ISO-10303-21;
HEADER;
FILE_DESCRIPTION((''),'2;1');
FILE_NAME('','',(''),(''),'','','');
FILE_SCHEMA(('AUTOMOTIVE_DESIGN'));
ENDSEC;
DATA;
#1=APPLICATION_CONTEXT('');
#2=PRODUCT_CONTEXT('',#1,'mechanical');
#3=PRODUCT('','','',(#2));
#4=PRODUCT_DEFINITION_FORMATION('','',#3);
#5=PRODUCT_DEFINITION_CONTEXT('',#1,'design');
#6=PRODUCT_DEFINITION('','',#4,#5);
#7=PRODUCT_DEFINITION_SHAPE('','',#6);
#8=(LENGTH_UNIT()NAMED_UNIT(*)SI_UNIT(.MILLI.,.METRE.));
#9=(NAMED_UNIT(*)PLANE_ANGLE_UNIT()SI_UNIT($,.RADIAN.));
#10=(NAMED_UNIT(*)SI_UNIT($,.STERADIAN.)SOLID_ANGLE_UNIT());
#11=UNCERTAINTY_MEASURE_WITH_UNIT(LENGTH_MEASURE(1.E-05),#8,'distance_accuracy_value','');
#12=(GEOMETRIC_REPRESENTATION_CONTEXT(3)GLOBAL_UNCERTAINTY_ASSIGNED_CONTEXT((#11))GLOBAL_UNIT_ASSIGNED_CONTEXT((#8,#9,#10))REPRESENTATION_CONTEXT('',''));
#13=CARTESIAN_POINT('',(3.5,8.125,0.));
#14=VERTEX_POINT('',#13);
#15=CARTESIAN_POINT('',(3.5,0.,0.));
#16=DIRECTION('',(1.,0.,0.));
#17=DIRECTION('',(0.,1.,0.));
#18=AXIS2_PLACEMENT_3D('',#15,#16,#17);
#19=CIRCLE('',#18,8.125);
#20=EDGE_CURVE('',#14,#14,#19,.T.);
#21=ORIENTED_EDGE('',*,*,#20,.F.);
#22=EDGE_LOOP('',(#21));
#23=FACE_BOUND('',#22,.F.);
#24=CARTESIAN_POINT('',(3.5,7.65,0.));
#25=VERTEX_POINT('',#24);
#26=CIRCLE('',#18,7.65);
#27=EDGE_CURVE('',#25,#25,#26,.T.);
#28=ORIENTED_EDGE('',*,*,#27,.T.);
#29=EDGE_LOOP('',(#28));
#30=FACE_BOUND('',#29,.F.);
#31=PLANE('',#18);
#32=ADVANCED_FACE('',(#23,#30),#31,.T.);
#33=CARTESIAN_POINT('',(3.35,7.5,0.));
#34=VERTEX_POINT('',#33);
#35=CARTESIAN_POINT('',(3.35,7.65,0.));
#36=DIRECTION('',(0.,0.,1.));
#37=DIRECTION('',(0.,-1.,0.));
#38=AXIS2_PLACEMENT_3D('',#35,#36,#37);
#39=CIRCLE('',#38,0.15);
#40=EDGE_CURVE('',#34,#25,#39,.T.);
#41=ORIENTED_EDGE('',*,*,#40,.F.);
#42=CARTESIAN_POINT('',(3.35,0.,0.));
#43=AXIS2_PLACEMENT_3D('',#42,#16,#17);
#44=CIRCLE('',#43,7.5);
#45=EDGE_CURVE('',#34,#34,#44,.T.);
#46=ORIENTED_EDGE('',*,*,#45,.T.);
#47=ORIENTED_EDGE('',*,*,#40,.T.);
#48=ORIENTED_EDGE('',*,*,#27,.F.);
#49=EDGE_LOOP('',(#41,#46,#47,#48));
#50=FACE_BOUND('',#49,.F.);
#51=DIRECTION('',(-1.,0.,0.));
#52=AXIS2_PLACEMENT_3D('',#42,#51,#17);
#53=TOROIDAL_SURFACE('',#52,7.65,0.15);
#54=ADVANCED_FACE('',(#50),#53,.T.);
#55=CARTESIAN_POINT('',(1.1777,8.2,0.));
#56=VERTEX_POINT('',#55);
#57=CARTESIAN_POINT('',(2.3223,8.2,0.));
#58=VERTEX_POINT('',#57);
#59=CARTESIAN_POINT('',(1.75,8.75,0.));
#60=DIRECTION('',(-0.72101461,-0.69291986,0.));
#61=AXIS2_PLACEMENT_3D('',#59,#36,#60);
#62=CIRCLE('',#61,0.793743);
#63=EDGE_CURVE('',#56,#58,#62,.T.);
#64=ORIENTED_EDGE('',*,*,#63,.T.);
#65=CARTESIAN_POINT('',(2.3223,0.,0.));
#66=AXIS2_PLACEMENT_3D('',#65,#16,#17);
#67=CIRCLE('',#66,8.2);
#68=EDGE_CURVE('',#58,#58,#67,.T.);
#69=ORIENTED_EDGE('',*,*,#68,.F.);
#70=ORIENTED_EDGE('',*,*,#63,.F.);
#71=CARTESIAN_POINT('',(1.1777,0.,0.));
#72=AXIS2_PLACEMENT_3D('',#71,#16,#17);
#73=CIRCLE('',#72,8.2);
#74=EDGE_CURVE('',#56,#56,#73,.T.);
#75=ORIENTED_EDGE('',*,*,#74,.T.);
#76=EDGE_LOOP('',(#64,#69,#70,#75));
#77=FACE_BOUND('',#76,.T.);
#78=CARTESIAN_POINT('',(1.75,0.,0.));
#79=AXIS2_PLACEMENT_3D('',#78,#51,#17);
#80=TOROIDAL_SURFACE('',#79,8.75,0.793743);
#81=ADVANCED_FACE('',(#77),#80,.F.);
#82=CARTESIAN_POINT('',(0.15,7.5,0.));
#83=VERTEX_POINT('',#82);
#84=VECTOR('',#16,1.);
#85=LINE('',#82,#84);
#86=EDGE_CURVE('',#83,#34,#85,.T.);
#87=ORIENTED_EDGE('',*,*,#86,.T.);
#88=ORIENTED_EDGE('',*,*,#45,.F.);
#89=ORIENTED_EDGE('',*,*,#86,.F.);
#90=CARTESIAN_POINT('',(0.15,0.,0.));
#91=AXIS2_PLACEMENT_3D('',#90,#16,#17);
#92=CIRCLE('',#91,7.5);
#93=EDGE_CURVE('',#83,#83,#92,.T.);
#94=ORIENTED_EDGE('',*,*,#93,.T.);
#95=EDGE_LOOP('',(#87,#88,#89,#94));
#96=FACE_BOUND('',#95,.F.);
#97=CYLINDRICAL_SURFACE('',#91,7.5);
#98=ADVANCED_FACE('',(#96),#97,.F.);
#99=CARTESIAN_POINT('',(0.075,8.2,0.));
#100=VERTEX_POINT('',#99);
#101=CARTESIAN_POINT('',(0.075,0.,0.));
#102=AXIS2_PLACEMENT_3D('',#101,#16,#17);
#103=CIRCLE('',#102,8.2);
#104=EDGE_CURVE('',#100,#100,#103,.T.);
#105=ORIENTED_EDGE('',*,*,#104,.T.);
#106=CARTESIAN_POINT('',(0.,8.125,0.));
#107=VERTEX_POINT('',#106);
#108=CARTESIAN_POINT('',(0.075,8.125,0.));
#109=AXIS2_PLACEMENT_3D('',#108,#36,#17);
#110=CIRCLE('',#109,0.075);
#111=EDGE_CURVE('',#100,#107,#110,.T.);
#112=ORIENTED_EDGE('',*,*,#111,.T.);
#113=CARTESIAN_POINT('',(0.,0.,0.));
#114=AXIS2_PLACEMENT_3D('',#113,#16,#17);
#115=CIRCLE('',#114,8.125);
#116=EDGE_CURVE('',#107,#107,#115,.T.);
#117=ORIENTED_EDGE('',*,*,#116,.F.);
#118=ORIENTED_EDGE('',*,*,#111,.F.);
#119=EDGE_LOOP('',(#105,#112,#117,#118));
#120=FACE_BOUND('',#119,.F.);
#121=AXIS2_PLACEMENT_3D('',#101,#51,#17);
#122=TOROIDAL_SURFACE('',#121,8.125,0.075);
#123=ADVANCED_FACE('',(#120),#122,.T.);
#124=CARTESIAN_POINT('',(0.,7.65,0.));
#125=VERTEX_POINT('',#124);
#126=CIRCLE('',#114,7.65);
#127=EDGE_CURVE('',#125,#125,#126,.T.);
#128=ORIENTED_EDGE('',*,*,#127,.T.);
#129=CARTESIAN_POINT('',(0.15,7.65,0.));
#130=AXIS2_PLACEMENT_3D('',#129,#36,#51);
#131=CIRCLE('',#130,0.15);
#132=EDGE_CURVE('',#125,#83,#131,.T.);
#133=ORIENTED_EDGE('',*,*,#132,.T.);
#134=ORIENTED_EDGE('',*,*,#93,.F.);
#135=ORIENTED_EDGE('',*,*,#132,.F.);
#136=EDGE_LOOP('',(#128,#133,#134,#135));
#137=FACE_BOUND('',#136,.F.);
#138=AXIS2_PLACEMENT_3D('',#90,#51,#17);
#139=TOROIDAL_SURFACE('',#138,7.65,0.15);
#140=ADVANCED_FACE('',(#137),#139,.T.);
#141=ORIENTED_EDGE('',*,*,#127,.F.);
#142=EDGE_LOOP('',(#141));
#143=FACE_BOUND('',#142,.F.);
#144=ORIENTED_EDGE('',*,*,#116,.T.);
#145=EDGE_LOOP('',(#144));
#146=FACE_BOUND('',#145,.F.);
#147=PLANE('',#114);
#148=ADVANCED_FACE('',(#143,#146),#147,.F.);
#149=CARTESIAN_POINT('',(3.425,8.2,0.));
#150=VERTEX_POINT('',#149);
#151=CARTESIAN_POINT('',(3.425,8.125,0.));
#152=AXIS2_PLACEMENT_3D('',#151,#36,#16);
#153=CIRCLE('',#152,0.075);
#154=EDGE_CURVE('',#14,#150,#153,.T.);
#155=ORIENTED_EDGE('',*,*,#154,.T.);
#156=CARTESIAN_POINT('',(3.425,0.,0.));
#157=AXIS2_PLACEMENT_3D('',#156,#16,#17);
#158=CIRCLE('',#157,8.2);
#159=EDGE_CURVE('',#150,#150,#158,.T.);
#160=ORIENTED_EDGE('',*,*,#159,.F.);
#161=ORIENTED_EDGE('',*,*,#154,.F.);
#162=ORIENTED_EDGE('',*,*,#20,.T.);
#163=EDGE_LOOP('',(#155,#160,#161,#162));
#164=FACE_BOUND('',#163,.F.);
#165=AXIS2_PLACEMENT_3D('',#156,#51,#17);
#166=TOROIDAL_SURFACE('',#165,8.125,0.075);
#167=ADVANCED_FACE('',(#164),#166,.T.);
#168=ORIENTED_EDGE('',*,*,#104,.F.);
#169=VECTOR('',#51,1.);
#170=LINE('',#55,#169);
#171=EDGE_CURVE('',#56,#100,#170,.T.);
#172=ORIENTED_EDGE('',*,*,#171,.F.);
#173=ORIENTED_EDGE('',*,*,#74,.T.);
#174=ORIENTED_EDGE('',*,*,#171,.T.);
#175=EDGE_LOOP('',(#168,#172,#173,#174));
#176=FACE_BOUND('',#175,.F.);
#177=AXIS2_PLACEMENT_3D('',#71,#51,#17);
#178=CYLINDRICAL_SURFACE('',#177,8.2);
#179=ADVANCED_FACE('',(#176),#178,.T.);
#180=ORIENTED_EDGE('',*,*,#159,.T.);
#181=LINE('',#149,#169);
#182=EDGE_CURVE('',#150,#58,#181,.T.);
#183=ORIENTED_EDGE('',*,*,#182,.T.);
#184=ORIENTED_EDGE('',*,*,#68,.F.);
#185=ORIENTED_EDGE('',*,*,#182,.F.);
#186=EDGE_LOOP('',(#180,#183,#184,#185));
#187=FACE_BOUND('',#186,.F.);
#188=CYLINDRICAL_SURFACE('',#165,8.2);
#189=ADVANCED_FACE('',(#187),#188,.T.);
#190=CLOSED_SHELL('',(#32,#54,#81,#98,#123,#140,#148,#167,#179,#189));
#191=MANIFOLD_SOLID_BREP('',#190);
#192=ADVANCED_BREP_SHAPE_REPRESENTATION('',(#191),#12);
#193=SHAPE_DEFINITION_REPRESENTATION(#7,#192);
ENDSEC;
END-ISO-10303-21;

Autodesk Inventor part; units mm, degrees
sketch "Sketch_1" plane through (0, 0, 0) normal (0, 0, 1) x (1, 0, 0)
  line L0 (3.5, 0) -> (0, 0)
  line L1 (0, 8.125) -> (0, 7.65)
  arc A0 (0, 7.65) -> (0.15, 7.5) centre (0.15, 7.65) ccw
  line L2 (0.15, 7.5) -> (3.35, 7.5)
  arc A1 (3.35, 7.5) -> (3.5, 7.65) centre (3.35, 7.65) ccw
  line L3 (3.5, 7.65) -> (3.5, 8.125)
  arc A2 (3.5, 8.125) -> (3.425, 8.2) centre (3.425, 8.125) ccw
  line L4 (3.425, 8.2) -> (2.3223, 8.2)
  arc A3 (1.1777, 8.2) -> (2.3223, 8.2) centre (1.75, 8.75) ccw
  line L5 (1.1777, 8.2) -> (0.075, 8.2)
  arc A4 (0.075, 8.2) -> (0, 8.125) centre (0.075, 8.125) ccw
revolve "Revolution1" add sketch "Sketch_1" angle 360 about axis through (3.5, 0, 0) along (1, 0, 0)
ref_plane "1_XY" through (1.75, 0, 0) normal (1, 0, 0) x (0, 0, -1)
ref_plane "1_YZ" through (1.75, 0, 0) normal (0, 0, -1) x (0, 1, 0)
ref_plane "1_ZX" through (1.75, 0, 0) normal (0, 1, 0) x (1, 0, 0)
ref_plane "1_Dummy_XY" through (0, 0, 0) normal (-1, 0, 0) x (0, 0, -1)
ref_plane "1_Dummy_YZ" through (0, 0, 0) normal (0, 0, -1) x (0, -1, 0)
ref_plane "1_Dummy_ZX" through (0, 0, 0) normal (0, -1, 0) x (-1, 0, 0)
properties part number "A-2015_ir"
